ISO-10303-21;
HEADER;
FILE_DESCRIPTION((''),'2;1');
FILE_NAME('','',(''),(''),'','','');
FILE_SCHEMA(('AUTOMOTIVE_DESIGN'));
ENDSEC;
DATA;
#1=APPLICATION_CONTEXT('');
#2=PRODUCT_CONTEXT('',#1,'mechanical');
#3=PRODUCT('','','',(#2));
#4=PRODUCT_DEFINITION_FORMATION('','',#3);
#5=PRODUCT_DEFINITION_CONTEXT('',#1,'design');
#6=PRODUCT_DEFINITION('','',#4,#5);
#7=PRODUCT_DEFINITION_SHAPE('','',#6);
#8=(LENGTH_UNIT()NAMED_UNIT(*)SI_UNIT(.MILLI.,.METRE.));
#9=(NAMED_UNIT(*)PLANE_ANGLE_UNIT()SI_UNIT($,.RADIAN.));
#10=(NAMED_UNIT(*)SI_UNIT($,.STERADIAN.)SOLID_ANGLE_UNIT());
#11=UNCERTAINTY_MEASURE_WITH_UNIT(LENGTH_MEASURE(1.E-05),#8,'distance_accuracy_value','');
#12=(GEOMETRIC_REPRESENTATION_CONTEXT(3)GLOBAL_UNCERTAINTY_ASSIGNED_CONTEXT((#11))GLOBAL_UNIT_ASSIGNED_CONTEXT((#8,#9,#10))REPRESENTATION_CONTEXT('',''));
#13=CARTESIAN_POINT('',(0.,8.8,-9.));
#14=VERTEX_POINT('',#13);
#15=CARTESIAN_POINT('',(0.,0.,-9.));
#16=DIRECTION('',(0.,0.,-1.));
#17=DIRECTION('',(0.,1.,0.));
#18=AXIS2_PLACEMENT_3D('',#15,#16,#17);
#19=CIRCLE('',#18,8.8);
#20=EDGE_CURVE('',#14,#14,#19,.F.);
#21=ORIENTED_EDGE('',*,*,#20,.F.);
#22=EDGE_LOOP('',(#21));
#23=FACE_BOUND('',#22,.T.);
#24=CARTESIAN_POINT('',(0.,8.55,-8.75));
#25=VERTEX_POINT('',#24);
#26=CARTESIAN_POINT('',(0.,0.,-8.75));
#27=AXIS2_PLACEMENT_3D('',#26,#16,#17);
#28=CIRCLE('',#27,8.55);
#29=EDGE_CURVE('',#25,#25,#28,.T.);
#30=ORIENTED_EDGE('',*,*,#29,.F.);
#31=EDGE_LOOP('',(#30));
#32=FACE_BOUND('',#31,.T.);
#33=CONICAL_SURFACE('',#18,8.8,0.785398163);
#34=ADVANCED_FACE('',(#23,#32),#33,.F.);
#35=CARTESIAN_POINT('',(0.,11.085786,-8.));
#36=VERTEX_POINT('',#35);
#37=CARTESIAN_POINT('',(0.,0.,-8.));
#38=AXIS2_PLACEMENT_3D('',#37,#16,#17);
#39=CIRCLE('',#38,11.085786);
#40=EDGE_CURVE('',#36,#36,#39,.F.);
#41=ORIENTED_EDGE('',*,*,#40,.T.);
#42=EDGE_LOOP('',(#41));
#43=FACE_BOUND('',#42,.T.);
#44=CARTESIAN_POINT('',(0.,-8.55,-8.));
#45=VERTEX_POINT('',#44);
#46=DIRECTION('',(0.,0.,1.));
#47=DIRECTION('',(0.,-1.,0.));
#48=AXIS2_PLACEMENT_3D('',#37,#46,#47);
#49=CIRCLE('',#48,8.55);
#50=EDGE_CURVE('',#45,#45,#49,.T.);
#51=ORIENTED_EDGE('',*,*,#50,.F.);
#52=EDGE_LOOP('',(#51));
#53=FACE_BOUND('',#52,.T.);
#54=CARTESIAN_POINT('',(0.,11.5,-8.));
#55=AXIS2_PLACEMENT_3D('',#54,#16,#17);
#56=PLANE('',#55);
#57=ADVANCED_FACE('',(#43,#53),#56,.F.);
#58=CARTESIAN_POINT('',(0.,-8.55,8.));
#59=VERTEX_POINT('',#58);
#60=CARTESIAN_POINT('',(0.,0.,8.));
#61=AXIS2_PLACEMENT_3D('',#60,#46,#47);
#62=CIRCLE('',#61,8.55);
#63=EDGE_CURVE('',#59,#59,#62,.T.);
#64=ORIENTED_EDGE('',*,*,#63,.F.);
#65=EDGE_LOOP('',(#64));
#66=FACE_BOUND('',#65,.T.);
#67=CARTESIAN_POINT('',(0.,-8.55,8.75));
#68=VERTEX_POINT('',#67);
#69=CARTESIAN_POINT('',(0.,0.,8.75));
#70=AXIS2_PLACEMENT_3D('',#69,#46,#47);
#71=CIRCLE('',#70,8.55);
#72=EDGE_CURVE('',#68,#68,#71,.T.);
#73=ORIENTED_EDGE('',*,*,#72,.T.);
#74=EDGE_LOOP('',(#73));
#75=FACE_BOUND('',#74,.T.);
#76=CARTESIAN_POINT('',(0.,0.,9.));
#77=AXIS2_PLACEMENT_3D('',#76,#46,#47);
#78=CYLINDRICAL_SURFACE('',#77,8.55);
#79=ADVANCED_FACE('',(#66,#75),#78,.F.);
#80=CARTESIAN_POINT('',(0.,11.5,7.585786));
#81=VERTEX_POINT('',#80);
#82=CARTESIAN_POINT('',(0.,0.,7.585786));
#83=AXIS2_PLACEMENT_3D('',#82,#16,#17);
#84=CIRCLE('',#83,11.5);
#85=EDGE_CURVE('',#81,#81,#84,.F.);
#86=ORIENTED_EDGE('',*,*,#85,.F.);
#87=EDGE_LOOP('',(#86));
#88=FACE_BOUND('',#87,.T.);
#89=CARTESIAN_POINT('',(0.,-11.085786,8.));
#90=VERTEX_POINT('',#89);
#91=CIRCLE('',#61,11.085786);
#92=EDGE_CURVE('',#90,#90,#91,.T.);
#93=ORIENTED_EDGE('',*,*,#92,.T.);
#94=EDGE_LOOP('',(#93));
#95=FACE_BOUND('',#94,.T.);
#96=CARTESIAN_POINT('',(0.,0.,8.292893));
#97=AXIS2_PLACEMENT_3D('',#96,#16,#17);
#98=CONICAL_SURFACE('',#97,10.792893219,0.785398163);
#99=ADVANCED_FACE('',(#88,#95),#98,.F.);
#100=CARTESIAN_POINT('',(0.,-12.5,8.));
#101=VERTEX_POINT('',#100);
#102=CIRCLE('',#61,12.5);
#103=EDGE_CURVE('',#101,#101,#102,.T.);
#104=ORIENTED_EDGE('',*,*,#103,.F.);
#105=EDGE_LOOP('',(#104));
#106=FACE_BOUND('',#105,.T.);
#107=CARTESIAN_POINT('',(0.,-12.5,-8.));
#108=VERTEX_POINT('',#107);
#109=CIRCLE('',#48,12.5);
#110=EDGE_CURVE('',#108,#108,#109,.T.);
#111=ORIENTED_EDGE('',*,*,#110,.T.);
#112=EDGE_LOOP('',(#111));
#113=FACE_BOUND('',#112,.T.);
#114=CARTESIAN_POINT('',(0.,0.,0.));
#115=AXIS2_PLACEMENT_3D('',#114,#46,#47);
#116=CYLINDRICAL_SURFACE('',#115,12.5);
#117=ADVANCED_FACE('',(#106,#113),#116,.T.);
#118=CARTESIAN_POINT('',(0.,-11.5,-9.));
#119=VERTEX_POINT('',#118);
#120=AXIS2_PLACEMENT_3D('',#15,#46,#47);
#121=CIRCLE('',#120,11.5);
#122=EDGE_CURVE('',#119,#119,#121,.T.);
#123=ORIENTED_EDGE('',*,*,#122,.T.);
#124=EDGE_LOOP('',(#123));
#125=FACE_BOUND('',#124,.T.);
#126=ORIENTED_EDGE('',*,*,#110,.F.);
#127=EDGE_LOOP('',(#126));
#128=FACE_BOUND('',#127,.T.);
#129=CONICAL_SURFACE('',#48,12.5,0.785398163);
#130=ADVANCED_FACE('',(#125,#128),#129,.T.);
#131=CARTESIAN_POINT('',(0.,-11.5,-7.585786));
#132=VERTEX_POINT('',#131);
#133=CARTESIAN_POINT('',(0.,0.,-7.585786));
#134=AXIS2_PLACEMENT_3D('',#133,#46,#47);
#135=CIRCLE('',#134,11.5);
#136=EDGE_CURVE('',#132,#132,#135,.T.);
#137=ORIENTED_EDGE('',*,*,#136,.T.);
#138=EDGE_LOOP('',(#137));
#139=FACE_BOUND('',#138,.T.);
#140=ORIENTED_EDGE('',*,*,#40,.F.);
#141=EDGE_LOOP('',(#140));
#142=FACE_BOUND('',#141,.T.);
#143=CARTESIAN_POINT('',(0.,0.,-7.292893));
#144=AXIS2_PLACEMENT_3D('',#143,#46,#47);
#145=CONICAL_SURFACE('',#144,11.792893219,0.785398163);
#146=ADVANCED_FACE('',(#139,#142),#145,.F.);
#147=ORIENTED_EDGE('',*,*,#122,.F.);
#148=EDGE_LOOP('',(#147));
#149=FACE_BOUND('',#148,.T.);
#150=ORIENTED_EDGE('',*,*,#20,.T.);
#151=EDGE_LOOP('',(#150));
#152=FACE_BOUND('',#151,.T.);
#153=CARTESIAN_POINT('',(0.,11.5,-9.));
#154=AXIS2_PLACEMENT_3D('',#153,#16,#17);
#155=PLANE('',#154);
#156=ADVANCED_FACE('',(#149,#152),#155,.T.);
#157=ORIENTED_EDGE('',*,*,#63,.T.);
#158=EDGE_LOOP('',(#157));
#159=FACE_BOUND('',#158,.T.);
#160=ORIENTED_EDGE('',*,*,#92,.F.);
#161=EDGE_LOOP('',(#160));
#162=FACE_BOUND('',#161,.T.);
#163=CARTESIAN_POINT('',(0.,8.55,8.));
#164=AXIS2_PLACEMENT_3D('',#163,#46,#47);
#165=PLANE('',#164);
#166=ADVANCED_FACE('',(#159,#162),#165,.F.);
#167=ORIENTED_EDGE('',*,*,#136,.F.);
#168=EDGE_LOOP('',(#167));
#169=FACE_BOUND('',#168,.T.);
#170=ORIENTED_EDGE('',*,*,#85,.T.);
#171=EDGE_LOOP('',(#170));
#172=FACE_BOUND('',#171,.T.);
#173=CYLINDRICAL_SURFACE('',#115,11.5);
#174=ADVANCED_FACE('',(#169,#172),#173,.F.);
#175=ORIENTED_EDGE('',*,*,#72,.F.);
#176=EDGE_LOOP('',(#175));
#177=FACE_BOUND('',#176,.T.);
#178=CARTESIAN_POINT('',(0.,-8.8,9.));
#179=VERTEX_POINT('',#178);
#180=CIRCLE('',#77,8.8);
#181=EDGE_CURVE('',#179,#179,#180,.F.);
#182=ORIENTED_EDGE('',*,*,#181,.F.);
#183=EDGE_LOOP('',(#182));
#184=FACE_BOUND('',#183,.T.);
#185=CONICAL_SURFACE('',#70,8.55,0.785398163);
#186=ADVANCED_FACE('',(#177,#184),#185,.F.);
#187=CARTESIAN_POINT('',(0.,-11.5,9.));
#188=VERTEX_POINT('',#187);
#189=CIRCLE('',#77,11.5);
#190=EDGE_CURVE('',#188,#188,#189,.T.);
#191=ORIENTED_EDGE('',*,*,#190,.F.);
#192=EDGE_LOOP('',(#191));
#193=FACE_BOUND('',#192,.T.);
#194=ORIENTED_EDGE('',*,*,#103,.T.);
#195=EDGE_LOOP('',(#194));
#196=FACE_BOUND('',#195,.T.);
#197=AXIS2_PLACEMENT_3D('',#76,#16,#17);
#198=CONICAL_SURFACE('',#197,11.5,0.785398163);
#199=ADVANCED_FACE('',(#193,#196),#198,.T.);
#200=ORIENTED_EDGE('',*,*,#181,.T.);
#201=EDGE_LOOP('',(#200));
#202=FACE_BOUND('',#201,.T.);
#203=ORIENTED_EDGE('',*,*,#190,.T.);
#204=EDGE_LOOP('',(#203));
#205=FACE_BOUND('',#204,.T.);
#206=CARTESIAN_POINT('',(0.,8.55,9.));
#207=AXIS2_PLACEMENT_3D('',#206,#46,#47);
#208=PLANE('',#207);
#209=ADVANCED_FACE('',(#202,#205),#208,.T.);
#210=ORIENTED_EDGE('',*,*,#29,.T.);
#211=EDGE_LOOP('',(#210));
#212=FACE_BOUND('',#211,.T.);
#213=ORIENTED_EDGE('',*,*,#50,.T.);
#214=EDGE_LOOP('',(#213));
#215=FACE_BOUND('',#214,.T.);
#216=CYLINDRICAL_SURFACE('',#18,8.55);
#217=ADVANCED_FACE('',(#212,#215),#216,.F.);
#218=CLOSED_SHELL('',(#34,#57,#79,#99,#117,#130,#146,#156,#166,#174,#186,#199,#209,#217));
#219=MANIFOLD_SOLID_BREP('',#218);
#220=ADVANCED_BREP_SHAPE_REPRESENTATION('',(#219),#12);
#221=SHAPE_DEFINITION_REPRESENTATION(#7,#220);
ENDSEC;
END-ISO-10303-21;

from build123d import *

# Parameters (mm, degrees)
SPESSORE1_T1 = 1
SMUSSO1_SIZE = 0.25


with BuildPart() as body_1:
    # Superficie-Rivoluzione1: a surface, the sketch's curves turned about an axis
    with BuildLine(Plane(origin=(0, 0, 0), x_dir=(0, 0, -1), z_dir=(1, 0, 0)), mode=Mode.PRIVATE) as superficie_rivoluzione1_1_path:
        Line((-9, 8.55), (-9, 11.5))
        Line((-9, 11.5), (-8, 12.5))
        Line((-8, 12.5), (8, 12.5))
        Line((8, 12.5), (9, 11.5))
        Line((9, 11.5), (9, 8.55))
    superficie_rivoluzione1_1 = Shell.revolve(superficie_rivoluzione1_1_path.wire(), 360, Axis((0, 0, 0), (0, 0, 1)))
    add(Solid.thicken(superficie_rivoluzione1_1, SPESSORE1_T1))

    # Smusso1
    smusso1_edges = [body_1.edges().sort_by_distance(p)[0] for p in [
        (0, -8.55, -9),
        (0, -8.55, 9),
    ]]
    chamfer(smusso1_edges, length=SMUSSO1_SIZE)


solid = body_1.part
